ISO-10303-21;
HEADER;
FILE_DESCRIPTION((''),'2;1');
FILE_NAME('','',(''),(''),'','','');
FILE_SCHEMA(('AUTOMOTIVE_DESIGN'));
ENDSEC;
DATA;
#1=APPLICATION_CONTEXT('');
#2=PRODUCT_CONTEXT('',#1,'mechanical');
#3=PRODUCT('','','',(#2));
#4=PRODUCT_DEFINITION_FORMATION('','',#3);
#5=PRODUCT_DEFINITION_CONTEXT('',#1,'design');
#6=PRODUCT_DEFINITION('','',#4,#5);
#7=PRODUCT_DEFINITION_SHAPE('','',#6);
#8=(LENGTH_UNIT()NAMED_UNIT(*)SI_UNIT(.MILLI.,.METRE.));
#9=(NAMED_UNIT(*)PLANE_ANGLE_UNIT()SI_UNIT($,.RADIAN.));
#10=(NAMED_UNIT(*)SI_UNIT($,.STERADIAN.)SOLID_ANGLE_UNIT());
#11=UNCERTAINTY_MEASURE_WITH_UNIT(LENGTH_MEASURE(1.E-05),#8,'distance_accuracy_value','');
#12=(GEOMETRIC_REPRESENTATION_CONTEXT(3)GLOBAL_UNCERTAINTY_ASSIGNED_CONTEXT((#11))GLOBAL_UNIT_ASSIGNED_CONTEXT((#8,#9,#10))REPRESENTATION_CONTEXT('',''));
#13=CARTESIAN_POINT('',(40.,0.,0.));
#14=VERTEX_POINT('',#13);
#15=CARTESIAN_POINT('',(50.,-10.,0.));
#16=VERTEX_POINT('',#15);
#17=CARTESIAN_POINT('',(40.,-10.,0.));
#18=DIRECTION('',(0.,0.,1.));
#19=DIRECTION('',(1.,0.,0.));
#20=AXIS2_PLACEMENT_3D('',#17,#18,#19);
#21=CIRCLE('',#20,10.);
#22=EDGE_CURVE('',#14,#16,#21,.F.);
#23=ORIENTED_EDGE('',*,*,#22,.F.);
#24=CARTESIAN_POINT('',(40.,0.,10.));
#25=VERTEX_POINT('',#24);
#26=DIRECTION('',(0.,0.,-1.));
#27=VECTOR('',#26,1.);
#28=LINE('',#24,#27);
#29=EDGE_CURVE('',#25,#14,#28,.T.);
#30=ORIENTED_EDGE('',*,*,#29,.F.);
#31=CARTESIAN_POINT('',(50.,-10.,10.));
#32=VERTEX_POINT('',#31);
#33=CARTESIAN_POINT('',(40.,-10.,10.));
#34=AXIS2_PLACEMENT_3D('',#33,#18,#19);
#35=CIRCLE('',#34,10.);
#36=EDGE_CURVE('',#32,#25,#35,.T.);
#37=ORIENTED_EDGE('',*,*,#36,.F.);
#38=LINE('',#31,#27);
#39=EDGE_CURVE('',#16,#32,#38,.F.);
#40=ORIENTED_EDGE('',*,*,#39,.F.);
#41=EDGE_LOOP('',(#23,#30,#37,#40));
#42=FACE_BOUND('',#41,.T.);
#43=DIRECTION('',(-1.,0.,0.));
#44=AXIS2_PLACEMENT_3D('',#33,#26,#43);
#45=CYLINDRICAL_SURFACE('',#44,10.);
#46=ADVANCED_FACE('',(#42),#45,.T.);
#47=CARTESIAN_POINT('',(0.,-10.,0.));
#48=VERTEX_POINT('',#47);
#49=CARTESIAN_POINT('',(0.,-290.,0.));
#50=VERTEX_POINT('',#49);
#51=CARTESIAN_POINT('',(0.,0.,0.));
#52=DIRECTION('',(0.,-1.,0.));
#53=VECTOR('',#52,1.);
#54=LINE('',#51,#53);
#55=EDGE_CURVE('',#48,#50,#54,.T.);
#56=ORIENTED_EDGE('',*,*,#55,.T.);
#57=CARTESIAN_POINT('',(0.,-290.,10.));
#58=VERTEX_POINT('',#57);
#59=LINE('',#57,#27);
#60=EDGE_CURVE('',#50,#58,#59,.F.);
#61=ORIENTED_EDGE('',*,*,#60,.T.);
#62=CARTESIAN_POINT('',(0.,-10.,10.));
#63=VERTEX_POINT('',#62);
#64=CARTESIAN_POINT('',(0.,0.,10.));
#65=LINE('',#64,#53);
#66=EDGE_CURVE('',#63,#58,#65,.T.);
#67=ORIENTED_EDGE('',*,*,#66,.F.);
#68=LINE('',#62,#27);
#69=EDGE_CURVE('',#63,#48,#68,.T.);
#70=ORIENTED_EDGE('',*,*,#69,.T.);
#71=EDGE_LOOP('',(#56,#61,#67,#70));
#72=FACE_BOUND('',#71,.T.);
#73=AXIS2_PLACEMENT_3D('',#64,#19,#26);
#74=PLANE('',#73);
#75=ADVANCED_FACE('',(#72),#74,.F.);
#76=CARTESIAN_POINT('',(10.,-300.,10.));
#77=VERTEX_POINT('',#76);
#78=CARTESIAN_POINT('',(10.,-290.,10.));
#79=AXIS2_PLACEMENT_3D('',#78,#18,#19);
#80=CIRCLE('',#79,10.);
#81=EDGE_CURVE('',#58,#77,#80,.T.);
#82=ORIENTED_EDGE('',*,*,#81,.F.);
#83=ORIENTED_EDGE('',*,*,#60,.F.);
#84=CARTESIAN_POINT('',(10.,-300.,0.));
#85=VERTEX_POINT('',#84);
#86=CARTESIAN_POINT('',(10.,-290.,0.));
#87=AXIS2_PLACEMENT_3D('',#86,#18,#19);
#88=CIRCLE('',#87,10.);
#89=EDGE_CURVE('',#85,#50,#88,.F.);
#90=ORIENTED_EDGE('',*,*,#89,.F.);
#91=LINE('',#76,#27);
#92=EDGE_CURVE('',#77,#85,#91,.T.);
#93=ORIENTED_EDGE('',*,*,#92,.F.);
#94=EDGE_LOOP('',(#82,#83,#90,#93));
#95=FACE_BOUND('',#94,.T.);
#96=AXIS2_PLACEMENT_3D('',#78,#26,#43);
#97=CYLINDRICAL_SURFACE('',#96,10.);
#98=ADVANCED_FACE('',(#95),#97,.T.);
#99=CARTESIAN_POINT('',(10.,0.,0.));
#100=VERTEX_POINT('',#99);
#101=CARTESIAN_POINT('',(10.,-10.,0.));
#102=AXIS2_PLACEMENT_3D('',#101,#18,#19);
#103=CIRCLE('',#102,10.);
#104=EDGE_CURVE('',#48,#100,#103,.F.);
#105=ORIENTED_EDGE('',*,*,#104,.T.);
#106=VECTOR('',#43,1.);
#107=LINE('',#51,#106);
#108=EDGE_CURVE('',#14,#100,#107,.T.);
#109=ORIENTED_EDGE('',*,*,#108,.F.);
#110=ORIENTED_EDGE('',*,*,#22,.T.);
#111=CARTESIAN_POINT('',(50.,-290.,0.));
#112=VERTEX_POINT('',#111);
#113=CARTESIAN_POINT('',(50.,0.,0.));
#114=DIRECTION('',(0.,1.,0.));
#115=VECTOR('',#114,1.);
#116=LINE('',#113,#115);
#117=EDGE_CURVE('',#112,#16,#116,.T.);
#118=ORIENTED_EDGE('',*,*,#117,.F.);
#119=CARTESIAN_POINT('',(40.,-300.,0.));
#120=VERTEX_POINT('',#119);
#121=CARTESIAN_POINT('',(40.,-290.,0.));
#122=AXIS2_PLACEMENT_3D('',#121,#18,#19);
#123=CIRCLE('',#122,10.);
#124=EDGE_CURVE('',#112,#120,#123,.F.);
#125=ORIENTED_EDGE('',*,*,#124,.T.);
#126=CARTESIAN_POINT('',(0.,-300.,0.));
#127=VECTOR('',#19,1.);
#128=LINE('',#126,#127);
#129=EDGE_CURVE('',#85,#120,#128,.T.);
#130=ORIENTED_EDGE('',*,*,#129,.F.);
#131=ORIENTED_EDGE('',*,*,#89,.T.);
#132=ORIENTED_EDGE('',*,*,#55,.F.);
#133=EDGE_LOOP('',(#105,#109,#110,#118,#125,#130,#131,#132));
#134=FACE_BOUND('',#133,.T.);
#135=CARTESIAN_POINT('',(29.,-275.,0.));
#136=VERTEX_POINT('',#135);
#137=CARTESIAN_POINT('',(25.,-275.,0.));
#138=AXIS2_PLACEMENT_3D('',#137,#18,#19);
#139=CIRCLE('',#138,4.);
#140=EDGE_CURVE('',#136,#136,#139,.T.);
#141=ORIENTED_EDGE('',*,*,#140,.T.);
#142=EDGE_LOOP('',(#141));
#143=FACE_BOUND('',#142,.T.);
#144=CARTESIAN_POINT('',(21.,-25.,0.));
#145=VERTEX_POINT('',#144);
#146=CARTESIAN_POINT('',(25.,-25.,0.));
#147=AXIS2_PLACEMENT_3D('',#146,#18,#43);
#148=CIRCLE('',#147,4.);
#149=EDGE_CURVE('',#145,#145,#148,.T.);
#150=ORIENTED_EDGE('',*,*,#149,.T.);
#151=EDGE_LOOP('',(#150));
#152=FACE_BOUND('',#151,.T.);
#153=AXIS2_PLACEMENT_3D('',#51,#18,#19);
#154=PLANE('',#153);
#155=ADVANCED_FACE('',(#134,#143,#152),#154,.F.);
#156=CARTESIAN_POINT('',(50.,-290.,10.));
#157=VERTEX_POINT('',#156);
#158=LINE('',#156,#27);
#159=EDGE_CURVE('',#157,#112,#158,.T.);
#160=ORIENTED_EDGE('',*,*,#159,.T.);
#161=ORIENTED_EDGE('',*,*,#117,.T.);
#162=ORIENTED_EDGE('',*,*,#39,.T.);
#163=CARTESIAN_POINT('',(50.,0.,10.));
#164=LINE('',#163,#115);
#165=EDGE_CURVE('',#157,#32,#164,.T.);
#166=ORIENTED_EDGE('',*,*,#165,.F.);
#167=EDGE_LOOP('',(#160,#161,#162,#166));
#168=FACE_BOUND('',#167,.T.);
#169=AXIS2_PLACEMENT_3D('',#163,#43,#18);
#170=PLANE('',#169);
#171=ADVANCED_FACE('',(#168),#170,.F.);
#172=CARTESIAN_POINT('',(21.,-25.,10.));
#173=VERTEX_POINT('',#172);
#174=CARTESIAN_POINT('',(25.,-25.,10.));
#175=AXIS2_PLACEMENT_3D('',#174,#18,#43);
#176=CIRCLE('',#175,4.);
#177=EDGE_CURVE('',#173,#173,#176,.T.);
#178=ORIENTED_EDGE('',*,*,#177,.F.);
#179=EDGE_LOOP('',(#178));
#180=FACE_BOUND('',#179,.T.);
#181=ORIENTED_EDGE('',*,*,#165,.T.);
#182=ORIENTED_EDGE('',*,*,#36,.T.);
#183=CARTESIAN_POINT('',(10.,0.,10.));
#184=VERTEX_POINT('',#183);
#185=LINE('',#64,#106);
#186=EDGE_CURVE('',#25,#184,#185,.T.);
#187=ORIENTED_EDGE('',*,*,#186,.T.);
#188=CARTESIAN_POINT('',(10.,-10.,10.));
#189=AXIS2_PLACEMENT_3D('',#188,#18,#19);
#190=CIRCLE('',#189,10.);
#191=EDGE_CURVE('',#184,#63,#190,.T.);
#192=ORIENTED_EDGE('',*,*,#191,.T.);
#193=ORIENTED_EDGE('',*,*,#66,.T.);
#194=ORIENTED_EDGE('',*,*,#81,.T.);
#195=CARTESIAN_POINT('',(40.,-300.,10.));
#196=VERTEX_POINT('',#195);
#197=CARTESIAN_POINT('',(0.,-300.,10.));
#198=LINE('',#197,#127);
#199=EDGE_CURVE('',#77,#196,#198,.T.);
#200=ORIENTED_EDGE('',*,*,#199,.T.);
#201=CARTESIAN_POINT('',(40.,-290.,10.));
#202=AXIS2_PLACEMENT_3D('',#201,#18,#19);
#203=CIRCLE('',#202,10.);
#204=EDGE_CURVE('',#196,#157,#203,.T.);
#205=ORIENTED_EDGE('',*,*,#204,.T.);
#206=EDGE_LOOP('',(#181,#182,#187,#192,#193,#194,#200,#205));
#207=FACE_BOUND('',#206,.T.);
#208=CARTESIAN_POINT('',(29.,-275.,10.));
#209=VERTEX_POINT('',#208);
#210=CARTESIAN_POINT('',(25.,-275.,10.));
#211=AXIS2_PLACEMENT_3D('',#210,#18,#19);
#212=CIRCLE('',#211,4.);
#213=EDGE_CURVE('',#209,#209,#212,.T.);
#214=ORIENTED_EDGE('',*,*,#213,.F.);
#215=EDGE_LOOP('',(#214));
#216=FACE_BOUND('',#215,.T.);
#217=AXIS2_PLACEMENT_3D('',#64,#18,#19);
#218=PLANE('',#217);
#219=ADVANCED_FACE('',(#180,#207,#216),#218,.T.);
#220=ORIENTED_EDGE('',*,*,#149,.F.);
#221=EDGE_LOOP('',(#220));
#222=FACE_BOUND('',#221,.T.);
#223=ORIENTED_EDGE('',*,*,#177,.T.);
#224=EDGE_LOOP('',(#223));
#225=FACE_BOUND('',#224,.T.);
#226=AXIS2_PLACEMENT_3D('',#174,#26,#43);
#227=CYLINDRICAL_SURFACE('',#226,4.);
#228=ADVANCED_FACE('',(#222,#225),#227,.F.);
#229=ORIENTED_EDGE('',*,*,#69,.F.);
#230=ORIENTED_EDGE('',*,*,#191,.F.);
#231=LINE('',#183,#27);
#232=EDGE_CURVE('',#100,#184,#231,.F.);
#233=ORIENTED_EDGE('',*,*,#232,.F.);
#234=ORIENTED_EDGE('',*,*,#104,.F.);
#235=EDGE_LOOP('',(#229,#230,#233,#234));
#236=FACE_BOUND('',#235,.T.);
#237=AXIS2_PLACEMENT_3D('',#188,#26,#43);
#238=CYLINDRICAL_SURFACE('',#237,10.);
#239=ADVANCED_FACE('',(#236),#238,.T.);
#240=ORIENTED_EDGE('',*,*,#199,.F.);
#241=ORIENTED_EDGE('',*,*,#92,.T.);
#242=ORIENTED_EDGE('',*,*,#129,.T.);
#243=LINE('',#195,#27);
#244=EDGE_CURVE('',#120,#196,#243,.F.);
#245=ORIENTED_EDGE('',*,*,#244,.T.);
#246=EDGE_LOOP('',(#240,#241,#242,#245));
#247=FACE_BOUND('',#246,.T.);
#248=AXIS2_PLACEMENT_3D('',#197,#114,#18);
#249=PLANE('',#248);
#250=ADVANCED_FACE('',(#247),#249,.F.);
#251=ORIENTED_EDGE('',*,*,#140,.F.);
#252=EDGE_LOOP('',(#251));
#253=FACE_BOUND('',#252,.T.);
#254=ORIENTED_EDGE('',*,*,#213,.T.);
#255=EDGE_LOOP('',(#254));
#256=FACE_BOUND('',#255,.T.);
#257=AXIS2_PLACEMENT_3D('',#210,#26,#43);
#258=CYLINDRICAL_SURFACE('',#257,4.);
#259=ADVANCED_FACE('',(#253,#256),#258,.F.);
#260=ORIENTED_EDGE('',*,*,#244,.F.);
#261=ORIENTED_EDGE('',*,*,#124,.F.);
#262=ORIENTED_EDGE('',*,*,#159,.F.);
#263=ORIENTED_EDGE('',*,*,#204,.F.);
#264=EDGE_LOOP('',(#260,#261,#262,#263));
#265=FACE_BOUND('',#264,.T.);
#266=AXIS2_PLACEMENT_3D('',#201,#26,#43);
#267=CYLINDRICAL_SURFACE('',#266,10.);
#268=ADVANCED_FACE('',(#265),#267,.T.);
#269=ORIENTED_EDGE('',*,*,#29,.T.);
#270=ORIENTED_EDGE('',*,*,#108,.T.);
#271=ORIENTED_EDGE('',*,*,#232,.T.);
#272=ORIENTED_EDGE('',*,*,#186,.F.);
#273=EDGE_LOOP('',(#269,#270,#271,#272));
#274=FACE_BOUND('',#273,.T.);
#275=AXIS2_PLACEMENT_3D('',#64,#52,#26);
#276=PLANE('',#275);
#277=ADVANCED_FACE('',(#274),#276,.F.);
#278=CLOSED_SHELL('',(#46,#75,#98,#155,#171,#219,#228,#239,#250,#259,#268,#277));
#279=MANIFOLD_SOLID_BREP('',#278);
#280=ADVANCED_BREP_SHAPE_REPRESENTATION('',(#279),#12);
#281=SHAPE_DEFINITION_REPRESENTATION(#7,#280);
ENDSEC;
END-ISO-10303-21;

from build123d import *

# Parameters (mm, degrees)
SKETCH1_W           = 50
SKETCH1_H           = 300
SKETCH1_R           = 4
BOSS_EXTRUDE1_DEPTH = 10
FILLET1_R           = 10


with BuildPart() as part:
    # Sketch1 → Boss-Extrude1 (new body)
    with BuildSketch(Plane.XY):
        with Locations((25, -150)):
            Rectangle(SKETCH1_W, SKETCH1_H)
        with Locations((25, -275)):
            Circle(SKETCH1_R, mode=Mode.SUBTRACT)
        with Locations(Location((25, -25, 0), (0, 0, 180))):
            Circle(SKETCH1_R, mode=Mode.SUBTRACT)
    extrude(amount=BOSS_EXTRUDE1_DEPTH)

    # Fillet1
    fillet1_edges = [part.edges().sort_by_distance(p)[0] for p in [
        (0, 0, 5),
        (50, 0, 5),
        (50, -300, 5),
        (0, -300, 5),
    ]]
    fillet(fillet1_edges, radius=FILLET1_R)


solid = part.part
